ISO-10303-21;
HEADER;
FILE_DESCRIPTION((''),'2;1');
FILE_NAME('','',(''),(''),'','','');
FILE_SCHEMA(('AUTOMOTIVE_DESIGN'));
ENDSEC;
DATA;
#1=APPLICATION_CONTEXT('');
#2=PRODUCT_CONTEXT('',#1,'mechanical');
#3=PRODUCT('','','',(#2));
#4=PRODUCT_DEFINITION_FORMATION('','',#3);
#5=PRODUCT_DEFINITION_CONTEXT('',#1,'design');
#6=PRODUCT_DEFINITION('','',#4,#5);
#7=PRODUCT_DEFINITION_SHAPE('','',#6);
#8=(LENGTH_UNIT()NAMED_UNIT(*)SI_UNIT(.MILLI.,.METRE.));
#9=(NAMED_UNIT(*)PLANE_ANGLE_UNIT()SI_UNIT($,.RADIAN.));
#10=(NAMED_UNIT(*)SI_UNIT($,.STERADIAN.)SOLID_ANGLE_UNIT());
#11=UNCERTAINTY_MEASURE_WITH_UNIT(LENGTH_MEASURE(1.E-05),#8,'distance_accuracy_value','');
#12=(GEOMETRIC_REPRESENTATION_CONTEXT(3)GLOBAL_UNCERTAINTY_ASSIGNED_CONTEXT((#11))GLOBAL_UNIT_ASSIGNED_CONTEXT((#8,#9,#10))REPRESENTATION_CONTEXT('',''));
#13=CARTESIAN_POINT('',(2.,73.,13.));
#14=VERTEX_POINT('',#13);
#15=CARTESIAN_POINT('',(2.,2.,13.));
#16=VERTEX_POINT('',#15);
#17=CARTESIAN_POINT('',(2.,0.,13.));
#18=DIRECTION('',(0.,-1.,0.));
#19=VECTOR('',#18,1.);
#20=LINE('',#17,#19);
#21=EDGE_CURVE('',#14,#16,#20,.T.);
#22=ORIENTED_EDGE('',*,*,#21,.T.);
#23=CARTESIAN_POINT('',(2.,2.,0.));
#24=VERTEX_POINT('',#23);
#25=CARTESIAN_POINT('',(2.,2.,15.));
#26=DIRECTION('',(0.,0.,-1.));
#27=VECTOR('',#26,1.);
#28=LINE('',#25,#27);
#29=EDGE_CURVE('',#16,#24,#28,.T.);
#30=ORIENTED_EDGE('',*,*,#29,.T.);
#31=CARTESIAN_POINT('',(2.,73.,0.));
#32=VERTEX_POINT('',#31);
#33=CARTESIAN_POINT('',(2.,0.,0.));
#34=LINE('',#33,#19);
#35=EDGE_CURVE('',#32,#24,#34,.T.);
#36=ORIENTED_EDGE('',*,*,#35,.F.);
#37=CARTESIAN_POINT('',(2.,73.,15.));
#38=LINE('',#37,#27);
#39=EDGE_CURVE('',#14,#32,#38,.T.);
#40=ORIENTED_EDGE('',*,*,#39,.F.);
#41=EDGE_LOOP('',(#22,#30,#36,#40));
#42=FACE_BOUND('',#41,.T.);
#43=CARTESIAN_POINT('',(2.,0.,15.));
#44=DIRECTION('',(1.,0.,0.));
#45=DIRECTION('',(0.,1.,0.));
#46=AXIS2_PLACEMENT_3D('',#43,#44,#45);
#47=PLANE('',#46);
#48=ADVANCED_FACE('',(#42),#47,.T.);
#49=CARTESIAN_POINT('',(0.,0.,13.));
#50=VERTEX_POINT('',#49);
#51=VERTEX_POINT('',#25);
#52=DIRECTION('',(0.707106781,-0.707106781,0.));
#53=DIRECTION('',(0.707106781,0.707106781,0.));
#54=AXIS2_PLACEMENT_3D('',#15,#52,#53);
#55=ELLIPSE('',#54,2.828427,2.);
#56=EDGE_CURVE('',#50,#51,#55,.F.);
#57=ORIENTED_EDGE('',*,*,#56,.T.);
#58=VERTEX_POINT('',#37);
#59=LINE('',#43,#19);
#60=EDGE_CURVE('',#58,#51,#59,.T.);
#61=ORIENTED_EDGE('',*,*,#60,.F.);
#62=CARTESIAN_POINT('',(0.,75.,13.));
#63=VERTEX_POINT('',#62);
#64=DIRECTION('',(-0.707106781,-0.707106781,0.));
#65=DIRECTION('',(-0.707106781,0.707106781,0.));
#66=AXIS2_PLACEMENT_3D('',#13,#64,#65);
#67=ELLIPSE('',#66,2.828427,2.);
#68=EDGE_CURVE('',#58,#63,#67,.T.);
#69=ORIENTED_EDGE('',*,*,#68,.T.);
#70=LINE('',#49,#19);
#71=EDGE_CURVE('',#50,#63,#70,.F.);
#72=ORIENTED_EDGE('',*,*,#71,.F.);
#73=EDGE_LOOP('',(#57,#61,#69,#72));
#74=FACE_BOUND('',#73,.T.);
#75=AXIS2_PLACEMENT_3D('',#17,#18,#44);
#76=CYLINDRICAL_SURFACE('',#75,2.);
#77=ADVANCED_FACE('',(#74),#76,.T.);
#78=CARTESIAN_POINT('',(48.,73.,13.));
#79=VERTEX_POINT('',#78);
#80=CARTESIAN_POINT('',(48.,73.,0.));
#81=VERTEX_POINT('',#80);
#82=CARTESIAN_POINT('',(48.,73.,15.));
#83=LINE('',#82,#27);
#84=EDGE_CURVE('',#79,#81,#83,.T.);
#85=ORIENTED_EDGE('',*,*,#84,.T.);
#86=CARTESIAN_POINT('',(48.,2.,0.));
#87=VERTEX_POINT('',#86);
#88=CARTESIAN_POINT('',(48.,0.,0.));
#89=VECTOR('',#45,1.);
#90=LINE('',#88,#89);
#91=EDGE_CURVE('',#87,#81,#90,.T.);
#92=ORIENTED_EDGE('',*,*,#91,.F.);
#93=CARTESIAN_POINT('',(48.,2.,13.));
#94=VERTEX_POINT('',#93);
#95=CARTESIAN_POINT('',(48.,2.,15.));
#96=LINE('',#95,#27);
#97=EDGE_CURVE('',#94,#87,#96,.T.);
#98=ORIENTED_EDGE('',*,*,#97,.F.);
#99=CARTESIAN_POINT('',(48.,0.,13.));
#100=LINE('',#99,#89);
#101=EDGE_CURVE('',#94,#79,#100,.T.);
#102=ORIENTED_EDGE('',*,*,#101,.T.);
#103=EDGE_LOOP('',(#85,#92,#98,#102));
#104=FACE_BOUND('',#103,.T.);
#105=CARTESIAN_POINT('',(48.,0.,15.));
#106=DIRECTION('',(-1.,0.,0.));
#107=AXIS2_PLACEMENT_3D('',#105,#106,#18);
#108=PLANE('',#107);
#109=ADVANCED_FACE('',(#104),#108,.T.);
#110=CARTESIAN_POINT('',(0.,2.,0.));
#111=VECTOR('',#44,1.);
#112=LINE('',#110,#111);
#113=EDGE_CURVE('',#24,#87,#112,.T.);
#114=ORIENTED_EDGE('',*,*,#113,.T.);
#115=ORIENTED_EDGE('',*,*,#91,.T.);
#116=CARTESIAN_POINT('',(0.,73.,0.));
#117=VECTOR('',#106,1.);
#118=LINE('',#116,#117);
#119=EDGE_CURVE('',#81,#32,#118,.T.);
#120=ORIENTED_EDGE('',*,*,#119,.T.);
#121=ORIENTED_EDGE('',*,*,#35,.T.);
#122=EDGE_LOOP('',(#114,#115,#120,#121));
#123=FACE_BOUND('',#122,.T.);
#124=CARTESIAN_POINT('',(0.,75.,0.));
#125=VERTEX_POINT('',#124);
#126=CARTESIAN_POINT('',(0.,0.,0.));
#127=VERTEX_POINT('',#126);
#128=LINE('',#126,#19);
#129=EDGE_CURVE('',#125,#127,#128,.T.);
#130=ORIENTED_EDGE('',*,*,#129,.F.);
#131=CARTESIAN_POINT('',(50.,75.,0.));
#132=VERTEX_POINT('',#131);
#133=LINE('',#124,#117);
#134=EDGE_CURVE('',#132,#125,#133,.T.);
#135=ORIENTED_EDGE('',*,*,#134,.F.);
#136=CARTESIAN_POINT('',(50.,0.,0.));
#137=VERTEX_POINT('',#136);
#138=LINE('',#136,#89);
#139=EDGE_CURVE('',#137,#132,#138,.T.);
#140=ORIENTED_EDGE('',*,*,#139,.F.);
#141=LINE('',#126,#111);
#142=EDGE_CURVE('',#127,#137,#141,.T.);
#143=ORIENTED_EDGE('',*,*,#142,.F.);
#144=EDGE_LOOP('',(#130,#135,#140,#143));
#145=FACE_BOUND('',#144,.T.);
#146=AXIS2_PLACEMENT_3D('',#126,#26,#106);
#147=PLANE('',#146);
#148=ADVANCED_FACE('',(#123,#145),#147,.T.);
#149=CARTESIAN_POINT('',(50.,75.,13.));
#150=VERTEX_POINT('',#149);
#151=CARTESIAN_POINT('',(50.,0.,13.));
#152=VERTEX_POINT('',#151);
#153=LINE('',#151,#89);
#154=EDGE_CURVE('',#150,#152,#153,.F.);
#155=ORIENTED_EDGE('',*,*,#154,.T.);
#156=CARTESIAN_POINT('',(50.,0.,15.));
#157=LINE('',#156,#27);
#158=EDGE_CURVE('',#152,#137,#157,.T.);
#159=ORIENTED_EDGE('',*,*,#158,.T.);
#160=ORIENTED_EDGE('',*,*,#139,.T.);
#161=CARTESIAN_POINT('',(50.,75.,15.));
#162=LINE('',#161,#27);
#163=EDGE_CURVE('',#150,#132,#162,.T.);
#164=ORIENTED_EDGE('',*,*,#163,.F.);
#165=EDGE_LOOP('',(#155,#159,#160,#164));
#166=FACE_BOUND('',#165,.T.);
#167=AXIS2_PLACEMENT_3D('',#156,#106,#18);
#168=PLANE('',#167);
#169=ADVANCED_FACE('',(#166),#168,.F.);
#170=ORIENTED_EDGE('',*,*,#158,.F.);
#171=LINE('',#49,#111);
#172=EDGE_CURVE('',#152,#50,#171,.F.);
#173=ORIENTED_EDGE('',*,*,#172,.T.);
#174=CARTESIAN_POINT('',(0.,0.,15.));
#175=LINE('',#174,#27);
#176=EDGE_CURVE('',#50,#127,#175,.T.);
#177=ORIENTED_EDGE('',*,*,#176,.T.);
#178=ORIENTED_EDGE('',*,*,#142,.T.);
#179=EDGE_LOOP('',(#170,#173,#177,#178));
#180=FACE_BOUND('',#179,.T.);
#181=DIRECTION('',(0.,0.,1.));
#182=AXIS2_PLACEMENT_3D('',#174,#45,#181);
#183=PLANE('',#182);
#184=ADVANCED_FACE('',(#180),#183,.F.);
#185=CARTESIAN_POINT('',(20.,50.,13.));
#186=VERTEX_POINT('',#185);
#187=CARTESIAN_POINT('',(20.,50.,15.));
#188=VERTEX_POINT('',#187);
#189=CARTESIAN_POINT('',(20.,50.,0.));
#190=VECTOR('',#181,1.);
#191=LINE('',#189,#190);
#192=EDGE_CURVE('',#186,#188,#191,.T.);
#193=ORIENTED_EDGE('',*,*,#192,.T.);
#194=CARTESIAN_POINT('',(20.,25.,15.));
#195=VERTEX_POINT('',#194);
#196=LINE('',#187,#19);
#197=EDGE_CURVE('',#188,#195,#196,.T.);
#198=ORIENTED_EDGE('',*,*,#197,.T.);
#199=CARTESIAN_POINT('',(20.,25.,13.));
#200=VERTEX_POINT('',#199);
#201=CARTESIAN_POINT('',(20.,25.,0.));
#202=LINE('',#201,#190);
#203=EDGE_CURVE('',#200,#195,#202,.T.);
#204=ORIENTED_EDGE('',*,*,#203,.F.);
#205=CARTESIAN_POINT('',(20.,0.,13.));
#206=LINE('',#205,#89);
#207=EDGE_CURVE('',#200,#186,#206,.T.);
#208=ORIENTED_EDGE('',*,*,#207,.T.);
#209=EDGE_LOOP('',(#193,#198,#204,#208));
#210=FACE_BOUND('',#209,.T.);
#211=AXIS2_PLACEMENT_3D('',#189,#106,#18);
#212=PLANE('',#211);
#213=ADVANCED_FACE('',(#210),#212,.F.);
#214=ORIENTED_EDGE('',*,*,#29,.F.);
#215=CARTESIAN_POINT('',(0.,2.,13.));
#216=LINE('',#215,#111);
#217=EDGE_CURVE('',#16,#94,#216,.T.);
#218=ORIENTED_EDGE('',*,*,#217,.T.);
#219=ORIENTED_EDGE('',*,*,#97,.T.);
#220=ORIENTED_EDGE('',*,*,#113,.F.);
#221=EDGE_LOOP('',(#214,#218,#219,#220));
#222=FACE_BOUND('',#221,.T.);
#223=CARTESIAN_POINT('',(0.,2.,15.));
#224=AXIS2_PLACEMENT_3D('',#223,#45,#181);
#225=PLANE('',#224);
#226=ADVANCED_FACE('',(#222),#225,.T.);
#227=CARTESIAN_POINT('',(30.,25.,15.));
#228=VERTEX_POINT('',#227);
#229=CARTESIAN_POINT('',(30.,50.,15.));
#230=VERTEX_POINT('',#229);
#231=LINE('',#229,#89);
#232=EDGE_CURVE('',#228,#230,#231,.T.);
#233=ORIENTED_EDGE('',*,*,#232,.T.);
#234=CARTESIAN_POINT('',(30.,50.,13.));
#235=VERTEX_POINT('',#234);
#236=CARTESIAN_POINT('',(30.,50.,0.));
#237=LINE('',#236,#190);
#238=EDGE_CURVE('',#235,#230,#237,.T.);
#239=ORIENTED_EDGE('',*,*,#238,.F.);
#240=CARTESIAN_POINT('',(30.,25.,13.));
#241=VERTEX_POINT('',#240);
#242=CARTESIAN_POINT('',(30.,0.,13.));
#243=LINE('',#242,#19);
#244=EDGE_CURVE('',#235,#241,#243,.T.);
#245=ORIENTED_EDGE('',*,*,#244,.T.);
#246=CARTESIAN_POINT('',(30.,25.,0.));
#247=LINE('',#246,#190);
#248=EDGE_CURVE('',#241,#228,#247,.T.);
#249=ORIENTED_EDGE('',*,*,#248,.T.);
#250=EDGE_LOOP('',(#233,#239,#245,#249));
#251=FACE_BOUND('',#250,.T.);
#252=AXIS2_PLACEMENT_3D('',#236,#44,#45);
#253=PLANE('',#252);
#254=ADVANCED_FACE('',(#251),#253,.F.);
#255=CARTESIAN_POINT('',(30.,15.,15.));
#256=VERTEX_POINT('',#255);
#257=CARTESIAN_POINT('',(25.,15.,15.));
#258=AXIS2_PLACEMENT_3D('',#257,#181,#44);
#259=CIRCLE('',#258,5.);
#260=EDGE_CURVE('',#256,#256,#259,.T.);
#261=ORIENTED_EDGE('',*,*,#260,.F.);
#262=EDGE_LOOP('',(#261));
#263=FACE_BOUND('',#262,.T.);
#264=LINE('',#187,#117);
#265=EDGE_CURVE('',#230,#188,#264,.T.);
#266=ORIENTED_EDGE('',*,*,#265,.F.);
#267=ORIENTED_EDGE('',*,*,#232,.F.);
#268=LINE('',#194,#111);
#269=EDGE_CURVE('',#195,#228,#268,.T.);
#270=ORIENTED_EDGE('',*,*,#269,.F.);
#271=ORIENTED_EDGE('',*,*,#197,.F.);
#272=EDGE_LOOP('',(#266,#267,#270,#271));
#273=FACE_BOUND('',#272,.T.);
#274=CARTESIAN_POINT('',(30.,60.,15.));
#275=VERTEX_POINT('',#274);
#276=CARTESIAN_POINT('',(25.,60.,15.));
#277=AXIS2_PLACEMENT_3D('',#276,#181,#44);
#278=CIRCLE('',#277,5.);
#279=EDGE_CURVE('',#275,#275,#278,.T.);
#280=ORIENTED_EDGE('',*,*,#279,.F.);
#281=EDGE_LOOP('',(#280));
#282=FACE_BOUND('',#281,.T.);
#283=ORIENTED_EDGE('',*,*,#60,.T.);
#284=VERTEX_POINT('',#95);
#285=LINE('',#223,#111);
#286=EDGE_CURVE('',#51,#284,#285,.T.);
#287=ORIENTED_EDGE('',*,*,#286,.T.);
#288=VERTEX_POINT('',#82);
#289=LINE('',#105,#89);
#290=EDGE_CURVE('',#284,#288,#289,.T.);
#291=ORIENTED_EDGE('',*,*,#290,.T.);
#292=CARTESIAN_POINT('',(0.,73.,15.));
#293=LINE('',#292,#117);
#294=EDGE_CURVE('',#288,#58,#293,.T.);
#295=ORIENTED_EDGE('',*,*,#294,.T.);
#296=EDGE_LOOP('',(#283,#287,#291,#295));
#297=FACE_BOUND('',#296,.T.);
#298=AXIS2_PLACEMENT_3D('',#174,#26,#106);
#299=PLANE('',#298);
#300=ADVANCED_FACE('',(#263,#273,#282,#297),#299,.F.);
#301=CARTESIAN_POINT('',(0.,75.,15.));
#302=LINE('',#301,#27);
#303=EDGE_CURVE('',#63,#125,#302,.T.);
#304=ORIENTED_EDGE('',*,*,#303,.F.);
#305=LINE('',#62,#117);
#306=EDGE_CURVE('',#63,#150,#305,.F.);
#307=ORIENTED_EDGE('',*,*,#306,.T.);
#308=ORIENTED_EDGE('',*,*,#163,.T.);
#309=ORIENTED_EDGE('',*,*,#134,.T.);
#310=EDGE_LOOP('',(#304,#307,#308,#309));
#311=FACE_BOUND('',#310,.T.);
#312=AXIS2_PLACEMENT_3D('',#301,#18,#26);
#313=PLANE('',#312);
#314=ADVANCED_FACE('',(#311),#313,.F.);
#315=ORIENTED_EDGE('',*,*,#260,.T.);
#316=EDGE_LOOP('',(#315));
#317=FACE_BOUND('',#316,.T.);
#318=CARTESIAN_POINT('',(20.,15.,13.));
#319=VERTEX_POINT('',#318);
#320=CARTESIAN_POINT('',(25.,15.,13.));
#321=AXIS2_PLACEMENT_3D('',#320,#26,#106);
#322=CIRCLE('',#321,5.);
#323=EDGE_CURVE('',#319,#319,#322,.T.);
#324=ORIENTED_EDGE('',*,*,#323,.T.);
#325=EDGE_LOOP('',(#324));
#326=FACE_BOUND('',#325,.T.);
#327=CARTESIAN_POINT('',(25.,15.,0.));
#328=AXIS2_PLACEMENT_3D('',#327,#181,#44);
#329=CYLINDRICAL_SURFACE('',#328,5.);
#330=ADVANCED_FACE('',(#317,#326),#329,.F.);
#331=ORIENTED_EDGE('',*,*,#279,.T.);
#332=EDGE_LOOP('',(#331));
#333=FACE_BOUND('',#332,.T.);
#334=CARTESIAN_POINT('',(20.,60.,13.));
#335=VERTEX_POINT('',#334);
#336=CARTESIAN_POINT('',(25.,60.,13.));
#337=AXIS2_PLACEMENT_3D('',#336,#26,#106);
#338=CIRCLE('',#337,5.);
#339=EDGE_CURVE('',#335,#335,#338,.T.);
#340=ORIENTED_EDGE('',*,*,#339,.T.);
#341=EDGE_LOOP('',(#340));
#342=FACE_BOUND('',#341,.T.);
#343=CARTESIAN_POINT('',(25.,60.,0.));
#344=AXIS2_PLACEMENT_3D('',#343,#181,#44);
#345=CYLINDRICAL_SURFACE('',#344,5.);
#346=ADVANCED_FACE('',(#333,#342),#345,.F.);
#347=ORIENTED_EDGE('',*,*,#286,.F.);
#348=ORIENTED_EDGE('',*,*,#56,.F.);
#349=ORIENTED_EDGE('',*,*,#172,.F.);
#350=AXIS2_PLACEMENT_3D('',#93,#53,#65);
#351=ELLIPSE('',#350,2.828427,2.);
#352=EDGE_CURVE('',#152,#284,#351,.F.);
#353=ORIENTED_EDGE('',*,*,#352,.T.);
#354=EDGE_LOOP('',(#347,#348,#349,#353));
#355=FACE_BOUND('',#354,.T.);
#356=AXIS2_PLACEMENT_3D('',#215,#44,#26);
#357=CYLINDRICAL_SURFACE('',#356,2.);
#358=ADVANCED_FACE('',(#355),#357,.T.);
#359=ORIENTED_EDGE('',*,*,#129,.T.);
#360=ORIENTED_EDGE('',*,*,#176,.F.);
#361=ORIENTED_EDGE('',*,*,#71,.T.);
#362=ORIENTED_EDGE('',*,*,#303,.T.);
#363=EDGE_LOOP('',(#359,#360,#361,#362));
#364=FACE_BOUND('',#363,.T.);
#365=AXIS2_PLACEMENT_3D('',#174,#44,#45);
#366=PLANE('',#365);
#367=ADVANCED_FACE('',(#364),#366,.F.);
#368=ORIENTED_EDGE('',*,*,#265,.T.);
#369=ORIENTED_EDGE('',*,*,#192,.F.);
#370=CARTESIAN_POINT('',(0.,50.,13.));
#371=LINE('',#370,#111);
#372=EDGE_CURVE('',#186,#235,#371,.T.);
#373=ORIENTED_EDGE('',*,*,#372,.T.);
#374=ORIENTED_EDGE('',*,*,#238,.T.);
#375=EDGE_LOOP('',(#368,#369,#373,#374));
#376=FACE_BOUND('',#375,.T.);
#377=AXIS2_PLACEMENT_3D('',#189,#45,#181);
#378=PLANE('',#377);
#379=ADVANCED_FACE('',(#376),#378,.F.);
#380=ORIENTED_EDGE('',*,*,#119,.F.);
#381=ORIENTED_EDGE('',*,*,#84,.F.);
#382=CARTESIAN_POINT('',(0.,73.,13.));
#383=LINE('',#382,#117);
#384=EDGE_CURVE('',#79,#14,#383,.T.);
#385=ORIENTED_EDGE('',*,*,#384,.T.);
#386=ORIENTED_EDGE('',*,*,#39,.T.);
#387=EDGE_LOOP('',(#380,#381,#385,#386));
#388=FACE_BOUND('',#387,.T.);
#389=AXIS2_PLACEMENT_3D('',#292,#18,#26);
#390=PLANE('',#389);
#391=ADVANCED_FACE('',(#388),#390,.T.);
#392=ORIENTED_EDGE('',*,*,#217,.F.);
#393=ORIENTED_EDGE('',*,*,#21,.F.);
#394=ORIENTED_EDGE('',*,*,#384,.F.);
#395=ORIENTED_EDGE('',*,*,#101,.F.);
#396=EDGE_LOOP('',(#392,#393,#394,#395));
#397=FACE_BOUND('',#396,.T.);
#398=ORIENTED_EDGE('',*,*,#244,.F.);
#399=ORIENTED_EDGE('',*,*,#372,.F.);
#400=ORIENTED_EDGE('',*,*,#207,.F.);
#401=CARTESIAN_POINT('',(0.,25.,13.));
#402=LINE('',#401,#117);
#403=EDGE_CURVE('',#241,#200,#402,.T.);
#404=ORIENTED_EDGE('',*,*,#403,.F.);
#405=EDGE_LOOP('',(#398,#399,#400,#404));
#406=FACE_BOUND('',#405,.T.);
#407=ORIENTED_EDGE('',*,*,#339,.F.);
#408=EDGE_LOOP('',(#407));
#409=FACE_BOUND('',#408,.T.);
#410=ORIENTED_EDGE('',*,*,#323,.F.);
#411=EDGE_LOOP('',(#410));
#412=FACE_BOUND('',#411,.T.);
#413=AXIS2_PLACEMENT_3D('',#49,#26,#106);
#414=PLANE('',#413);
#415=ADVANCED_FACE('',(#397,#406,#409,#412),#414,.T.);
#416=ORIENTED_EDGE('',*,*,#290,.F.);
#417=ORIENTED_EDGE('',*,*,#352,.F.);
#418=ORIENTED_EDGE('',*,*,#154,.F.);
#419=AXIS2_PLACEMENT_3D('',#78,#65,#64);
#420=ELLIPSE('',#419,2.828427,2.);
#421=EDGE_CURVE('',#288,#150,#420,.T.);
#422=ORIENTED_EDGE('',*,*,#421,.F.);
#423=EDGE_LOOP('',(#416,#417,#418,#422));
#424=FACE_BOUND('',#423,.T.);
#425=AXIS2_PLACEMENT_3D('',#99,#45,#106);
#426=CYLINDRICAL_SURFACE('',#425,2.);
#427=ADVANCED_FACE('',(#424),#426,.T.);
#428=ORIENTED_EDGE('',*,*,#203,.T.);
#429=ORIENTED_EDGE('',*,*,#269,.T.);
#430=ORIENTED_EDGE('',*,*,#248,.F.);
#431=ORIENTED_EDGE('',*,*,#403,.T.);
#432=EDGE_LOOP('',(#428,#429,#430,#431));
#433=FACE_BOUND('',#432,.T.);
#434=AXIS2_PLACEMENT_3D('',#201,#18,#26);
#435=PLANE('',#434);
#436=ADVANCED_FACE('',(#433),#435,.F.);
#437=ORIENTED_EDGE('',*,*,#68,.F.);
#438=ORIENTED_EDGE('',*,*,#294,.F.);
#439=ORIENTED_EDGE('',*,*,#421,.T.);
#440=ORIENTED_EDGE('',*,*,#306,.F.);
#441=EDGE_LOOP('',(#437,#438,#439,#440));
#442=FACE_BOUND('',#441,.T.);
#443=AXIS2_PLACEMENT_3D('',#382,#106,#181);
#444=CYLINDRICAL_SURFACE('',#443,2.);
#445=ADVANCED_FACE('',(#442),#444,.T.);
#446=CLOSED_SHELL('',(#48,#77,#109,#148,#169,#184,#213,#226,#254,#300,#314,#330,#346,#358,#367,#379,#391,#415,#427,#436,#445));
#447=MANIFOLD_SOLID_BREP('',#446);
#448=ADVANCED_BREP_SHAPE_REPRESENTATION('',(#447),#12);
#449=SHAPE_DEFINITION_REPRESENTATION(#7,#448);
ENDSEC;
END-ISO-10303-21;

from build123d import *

# Parameters (mm, degrees)
SKETCH1_W           = 50
SKETCH1_H           = 75
BOSS_EXTRUDE1_DEPTH = 15
SHELL3_T            = -2
FILLET1_R           = 2
SKETCH2_R           = 5
SKETCH2_W           = 10
SKETCH2_H           = 25
CUT_EXTRUDE1_DEPTH  = 16


with BuildPart() as part:
    # Sketch1 → Boss-Extrude1 (new body)
    with BuildSketch(Plane.XY):
        with Locations((25, 37.5)):
            Rectangle(SKETCH1_W, SKETCH1_H)
    extrude(amount=BOSS_EXTRUDE1_DEPTH)

    # Shell3
    shell3_openings = [part.faces().sort_by_distance(p)[0] for p in [
        (25, 37.5, 0),
    ]]
    offset(amount=SHELL3_T, openings=shell3_openings, kind=Kind.INTERSECTION)

    # Fillet1
    fillet1_edges = [part.edges().sort_by_distance(p)[0] for p in [
        (50, 37.5, 15),
        (25, 75, 15),
        (0, 37.5, 15),
        (25, 0, 15),
    ]]
    fillet(fillet1_edges, radius=FILLET1_R)

    # Sketch2 → Cut-Extrude1 (cut, through all)
    with BuildSketch(Plane.XY.offset(15)):
        with Locations((25, 60)):
            Circle(SKETCH2_R)
        with Locations((25, 15)):
            Circle(SKETCH2_R)
        with Locations((25, 37.5)):
            Rectangle(SKETCH2_W, SKETCH2_H)
    extrude(amount=-CUT_EXTRUDE1_DEPTH, mode=Mode.SUBTRACT)


solid = part.part
